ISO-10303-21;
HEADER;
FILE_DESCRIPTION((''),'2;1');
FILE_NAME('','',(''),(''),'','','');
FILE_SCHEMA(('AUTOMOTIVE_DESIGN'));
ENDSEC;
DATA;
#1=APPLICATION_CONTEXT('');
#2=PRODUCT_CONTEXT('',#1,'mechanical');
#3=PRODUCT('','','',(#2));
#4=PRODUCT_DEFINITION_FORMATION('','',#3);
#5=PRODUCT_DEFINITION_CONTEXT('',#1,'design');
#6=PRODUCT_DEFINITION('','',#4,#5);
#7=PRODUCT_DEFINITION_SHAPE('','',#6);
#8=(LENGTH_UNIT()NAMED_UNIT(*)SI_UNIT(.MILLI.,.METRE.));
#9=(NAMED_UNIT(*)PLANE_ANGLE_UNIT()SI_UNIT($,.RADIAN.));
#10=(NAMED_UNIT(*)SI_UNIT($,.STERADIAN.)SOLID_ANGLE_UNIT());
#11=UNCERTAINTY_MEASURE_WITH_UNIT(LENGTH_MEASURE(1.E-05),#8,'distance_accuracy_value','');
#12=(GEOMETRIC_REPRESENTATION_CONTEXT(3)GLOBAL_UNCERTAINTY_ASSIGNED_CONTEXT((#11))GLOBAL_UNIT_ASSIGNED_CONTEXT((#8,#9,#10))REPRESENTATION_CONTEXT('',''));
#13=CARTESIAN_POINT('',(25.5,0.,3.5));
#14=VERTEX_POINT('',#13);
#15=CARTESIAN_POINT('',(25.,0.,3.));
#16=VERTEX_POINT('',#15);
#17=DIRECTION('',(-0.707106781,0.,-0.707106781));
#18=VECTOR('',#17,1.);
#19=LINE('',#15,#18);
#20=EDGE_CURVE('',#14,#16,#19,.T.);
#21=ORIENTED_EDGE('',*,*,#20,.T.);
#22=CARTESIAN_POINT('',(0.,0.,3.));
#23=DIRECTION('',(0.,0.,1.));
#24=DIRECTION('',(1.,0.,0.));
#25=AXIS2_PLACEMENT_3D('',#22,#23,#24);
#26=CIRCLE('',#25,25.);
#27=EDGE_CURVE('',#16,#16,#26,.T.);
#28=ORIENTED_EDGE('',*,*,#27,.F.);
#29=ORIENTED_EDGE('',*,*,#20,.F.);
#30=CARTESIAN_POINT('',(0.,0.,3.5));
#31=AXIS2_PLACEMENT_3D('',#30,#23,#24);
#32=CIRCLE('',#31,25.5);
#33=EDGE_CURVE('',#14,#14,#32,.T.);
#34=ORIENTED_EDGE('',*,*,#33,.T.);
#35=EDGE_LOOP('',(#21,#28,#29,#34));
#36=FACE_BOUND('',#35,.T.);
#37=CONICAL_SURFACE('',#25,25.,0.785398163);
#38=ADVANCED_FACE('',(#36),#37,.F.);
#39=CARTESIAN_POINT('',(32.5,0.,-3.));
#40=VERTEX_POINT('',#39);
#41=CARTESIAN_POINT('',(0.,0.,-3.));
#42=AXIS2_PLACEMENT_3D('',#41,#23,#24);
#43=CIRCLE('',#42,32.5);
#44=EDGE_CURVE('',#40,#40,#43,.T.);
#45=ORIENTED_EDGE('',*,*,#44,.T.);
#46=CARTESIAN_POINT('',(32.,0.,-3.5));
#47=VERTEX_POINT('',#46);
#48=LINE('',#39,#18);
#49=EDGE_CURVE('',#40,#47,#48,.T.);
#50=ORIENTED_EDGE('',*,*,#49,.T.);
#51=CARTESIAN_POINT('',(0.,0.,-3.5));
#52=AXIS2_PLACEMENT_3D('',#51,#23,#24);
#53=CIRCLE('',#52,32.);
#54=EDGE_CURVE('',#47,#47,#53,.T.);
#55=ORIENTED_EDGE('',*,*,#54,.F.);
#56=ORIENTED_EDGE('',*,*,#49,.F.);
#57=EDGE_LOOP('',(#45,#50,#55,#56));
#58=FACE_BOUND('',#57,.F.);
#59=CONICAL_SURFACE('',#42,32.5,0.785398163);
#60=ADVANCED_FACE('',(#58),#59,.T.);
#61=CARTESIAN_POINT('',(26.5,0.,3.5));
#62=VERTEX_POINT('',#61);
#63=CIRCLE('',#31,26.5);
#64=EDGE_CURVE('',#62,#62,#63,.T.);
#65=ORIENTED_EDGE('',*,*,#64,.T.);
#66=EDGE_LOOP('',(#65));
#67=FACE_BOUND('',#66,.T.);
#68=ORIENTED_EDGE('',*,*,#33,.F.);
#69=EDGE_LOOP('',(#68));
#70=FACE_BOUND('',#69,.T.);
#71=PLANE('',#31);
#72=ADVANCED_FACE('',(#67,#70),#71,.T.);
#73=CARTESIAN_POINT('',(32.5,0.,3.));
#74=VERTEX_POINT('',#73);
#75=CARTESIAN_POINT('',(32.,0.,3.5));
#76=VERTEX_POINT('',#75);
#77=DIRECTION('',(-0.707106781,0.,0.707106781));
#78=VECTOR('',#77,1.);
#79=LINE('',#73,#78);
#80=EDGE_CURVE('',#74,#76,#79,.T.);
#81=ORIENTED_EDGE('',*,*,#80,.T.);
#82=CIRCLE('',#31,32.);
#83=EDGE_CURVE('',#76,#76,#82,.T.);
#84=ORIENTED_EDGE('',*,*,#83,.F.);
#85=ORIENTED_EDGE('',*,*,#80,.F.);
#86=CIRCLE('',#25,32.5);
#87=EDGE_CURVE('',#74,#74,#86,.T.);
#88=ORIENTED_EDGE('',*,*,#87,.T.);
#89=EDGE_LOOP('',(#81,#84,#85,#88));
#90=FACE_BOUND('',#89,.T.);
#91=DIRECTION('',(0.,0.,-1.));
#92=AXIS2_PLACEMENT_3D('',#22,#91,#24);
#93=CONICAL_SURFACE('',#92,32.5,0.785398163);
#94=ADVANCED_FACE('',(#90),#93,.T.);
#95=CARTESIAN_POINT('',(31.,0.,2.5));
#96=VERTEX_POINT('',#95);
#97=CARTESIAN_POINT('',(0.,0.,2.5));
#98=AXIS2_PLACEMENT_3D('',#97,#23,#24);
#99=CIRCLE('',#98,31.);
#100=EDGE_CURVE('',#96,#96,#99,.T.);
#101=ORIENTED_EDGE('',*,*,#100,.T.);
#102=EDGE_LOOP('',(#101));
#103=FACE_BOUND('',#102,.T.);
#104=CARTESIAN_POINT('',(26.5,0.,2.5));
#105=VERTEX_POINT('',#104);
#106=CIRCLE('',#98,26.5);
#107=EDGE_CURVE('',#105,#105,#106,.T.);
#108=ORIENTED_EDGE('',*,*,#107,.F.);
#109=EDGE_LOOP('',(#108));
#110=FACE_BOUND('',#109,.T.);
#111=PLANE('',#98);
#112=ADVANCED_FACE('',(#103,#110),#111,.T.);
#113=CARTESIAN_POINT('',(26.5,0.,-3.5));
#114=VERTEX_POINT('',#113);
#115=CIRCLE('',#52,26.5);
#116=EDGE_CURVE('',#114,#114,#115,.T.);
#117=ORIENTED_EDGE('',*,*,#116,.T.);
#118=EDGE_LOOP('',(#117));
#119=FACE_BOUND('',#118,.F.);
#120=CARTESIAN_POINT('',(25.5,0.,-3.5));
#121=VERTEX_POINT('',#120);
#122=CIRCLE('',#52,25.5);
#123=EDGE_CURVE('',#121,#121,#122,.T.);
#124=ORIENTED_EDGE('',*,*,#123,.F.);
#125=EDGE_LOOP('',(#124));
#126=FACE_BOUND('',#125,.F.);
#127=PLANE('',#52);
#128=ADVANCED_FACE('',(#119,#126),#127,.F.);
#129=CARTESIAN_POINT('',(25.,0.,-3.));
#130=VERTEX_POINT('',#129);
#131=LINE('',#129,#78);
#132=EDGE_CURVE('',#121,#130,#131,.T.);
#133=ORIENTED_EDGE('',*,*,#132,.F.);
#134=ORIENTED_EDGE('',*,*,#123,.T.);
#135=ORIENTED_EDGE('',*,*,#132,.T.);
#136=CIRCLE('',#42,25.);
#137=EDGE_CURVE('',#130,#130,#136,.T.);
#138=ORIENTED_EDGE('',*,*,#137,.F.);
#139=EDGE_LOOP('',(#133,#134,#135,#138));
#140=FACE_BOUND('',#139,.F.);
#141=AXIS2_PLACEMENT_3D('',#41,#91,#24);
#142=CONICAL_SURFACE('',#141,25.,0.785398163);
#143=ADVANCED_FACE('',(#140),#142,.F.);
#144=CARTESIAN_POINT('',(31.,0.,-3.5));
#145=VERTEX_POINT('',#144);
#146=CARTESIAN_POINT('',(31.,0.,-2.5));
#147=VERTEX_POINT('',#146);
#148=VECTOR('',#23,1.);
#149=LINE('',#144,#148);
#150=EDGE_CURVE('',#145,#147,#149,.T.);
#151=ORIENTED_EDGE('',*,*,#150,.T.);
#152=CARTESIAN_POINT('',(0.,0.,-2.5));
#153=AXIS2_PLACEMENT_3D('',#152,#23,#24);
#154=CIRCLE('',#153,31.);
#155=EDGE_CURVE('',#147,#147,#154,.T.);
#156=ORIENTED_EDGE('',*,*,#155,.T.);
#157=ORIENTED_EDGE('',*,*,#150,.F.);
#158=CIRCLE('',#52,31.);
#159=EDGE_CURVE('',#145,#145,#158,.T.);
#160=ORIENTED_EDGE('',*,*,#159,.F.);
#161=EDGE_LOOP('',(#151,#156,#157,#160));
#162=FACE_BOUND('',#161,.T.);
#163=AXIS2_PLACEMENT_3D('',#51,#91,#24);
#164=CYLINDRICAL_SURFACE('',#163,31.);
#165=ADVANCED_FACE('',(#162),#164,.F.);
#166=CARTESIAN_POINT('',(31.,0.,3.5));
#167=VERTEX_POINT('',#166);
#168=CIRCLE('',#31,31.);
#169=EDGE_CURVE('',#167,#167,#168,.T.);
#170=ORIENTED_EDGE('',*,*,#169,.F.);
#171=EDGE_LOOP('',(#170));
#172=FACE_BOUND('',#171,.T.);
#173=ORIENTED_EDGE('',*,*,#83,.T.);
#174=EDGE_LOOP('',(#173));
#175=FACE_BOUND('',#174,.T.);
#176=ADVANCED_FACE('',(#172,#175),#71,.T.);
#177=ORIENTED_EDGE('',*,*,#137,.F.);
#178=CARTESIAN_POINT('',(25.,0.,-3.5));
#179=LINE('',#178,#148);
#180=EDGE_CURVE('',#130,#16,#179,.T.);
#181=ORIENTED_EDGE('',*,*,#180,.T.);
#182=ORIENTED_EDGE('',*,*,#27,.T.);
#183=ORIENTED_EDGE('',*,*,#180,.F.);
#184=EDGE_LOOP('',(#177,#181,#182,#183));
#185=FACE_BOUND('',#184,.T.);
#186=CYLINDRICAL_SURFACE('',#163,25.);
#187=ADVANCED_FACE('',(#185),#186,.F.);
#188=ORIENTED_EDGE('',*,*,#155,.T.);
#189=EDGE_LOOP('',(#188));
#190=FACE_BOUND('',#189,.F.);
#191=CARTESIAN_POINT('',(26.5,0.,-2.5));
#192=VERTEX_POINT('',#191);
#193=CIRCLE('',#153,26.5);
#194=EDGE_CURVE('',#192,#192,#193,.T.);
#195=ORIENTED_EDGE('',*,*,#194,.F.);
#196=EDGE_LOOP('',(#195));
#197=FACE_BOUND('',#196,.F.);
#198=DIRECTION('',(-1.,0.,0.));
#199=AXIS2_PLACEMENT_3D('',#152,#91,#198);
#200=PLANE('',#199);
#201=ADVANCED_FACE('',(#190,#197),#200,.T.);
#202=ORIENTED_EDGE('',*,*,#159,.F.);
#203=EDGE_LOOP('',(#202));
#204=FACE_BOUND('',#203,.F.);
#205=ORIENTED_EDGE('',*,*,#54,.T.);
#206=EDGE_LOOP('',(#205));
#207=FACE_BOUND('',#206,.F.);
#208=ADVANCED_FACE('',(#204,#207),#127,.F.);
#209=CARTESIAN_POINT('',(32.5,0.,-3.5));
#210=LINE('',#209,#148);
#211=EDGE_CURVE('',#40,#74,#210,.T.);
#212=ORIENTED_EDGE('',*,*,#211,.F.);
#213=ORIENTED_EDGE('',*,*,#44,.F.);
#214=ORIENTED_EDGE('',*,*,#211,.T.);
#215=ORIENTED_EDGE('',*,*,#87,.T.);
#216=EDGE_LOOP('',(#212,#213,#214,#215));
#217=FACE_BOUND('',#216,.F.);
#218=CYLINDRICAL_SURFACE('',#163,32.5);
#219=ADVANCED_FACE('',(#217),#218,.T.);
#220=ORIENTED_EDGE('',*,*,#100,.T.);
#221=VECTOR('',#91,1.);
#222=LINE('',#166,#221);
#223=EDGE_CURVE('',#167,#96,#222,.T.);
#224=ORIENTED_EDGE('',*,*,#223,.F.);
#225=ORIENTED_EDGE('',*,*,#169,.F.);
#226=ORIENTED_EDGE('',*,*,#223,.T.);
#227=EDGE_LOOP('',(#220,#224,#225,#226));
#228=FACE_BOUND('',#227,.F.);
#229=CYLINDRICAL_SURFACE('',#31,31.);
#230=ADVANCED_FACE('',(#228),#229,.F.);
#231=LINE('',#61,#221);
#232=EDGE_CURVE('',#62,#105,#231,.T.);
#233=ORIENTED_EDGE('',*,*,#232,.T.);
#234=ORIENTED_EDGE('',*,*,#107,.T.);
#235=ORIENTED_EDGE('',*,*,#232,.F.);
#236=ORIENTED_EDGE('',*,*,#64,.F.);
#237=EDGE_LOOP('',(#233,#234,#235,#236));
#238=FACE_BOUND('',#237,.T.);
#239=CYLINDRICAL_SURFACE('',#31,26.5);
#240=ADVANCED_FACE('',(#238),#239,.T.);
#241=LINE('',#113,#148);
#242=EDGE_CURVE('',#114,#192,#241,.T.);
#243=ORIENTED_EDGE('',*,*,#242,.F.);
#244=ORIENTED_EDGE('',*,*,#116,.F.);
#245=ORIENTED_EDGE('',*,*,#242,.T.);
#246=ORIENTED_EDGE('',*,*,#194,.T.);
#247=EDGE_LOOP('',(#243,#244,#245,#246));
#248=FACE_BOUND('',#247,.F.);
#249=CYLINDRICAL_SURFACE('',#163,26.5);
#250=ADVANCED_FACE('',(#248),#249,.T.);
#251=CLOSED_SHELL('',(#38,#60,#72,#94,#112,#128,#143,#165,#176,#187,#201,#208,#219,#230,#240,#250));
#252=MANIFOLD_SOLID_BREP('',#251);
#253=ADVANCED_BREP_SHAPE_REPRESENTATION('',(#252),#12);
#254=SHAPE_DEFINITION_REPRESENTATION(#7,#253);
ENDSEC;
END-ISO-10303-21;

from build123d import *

# Parameters (mm, degrees)
SKETCH_R      = 32.5
SKETCH_R_2    = 25
PAD_DEPTH     = 7
SKETCH001_R   = 31
SKETCH001_R_2 = 26.5
POCKET_DEPTH  = 1
CHAMFER_SIZE  = 0.5


with BuildPart() as part:
    # Sketch → Pad (new body)
    with BuildSketch(Plane.XY.offset(-3.5)):
        Circle(SKETCH_R)
        Circle(SKETCH_R_2, mode=Mode.SUBTRACT)
    extrude(amount=PAD_DEPTH)

    # Sketch001 (on Face4 of Pad) → Pocket (cut)
    with BuildSketch(Plane.XY.offset(3.5)):
        Circle(SKETCH001_R)
        Circle(SKETCH001_R_2, mode=Mode.SUBTRACT)
    pocket = extrude(amount=-POCKET_DEPTH, mode=Mode.SUBTRACT)

    # Mirrored: Pocket across XY
    add(pocket.mirror(Plane.XY), mode=Mode.SUBTRACT)

    # Chamfer
    chamfer_edges = [part.edges().sort_by_distance(p)[0] for p in [
        (-32.5, 0, 3.5),
        (-32.5, 0, -3.5),
        (-25, 0, 3.5),
        (-25, 0, -3.5),
    ]]
    chamfer(chamfer_edges, length=CHAMFER_SIZE)


solid = part.part
